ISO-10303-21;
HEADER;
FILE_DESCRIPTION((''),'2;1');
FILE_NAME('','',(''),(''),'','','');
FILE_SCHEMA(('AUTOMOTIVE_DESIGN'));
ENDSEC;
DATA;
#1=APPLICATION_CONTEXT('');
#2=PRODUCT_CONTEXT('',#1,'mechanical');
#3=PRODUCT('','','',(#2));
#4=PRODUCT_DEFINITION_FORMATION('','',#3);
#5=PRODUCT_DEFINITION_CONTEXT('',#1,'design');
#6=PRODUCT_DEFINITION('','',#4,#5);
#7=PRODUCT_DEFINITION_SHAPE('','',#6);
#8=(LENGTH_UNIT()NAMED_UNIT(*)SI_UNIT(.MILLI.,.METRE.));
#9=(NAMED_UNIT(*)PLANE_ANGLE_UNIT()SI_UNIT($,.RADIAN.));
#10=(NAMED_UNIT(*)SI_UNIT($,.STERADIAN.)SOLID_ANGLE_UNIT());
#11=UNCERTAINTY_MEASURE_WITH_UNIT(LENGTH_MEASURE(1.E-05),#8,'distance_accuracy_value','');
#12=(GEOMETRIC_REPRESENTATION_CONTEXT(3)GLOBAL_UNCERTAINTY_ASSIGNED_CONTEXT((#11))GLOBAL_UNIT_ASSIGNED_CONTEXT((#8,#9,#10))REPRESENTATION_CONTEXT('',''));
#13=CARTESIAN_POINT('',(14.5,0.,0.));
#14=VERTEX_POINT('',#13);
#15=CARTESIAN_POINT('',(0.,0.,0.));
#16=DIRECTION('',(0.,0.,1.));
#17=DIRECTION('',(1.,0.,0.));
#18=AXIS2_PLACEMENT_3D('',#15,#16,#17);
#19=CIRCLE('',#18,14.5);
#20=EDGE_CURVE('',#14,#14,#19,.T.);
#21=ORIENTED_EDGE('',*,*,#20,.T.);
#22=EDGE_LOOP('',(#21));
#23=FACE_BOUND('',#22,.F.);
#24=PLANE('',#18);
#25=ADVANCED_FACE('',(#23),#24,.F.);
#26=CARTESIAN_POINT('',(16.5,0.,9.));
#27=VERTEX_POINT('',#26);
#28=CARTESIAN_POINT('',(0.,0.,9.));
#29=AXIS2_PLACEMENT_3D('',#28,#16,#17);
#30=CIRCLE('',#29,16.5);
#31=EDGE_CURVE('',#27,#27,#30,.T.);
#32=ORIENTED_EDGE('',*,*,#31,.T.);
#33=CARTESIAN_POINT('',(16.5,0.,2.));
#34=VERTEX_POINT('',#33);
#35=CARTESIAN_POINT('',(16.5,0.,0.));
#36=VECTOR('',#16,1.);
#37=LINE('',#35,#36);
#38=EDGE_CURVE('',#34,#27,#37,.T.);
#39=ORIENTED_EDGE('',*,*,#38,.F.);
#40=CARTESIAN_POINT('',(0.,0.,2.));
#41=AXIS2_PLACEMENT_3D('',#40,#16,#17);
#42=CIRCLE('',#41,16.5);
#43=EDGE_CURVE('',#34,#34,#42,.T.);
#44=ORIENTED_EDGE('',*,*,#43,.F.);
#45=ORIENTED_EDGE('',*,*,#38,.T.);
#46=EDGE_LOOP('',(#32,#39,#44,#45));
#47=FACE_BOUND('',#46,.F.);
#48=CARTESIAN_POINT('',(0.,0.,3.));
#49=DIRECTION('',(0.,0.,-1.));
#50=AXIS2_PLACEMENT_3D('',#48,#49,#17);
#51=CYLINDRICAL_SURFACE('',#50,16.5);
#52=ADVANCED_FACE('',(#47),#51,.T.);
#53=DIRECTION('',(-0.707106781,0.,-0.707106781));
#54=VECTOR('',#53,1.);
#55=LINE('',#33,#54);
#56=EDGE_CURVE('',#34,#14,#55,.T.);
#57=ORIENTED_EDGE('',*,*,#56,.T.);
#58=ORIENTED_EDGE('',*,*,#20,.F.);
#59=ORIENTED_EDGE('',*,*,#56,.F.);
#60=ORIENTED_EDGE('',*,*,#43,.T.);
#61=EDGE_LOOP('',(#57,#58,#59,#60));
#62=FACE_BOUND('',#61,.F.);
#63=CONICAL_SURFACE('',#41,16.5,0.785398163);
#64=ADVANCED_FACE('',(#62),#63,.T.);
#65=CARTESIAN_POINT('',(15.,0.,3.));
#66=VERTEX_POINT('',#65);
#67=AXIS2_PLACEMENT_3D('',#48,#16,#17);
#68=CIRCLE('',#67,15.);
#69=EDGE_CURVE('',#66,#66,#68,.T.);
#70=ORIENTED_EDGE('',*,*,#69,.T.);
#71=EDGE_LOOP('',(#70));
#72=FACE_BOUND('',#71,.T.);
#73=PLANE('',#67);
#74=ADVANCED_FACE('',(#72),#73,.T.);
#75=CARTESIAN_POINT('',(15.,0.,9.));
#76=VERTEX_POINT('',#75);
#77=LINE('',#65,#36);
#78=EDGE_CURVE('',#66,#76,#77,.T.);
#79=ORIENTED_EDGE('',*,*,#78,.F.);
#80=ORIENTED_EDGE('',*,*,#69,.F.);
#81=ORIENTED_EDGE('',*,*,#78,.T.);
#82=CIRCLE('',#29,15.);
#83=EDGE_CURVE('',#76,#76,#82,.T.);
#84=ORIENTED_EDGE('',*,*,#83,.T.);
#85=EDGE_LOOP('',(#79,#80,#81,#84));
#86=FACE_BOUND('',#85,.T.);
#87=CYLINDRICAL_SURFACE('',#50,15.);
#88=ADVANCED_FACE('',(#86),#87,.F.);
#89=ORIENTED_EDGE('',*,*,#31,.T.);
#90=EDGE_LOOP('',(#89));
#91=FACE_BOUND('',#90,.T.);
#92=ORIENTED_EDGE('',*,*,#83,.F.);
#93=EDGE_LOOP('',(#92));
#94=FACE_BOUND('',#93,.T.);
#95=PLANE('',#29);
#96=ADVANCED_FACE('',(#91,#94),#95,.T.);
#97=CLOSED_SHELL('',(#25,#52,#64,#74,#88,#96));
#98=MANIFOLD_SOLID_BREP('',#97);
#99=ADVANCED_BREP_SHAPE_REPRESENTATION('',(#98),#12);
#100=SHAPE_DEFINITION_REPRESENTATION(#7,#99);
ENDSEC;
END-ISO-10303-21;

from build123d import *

# Parameters (mm, degrees)
F0_R     = 16.5
F1_DEPTH = 3
F2_R     = 16.5
F2_R_2   = 15
F3_DEPTH = 6
F4_SIZE  = 2


with BuildPart() as f1:
    # F0 (on Top) → F1 (new body)
    with BuildSketch(Plane.XY):
        Circle(F0_R)
    extrude(amount=F1_DEPTH)

    # F2 (on face) → F3 (join)
    with BuildSketch(Plane.XY.offset(3)):
        Circle(F2_R)
        Circle(F2_R_2, mode=Mode.SUBTRACT)
    extrude(amount=F3_DEPTH)

    # F4
    f4_edges = [f1.edges().sort_by_distance(p)[0] for p in [
        (-16.5, 0, 0),
    ]]
    chamfer(f4_edges, length=F4_SIZE)


solid = f1.part
